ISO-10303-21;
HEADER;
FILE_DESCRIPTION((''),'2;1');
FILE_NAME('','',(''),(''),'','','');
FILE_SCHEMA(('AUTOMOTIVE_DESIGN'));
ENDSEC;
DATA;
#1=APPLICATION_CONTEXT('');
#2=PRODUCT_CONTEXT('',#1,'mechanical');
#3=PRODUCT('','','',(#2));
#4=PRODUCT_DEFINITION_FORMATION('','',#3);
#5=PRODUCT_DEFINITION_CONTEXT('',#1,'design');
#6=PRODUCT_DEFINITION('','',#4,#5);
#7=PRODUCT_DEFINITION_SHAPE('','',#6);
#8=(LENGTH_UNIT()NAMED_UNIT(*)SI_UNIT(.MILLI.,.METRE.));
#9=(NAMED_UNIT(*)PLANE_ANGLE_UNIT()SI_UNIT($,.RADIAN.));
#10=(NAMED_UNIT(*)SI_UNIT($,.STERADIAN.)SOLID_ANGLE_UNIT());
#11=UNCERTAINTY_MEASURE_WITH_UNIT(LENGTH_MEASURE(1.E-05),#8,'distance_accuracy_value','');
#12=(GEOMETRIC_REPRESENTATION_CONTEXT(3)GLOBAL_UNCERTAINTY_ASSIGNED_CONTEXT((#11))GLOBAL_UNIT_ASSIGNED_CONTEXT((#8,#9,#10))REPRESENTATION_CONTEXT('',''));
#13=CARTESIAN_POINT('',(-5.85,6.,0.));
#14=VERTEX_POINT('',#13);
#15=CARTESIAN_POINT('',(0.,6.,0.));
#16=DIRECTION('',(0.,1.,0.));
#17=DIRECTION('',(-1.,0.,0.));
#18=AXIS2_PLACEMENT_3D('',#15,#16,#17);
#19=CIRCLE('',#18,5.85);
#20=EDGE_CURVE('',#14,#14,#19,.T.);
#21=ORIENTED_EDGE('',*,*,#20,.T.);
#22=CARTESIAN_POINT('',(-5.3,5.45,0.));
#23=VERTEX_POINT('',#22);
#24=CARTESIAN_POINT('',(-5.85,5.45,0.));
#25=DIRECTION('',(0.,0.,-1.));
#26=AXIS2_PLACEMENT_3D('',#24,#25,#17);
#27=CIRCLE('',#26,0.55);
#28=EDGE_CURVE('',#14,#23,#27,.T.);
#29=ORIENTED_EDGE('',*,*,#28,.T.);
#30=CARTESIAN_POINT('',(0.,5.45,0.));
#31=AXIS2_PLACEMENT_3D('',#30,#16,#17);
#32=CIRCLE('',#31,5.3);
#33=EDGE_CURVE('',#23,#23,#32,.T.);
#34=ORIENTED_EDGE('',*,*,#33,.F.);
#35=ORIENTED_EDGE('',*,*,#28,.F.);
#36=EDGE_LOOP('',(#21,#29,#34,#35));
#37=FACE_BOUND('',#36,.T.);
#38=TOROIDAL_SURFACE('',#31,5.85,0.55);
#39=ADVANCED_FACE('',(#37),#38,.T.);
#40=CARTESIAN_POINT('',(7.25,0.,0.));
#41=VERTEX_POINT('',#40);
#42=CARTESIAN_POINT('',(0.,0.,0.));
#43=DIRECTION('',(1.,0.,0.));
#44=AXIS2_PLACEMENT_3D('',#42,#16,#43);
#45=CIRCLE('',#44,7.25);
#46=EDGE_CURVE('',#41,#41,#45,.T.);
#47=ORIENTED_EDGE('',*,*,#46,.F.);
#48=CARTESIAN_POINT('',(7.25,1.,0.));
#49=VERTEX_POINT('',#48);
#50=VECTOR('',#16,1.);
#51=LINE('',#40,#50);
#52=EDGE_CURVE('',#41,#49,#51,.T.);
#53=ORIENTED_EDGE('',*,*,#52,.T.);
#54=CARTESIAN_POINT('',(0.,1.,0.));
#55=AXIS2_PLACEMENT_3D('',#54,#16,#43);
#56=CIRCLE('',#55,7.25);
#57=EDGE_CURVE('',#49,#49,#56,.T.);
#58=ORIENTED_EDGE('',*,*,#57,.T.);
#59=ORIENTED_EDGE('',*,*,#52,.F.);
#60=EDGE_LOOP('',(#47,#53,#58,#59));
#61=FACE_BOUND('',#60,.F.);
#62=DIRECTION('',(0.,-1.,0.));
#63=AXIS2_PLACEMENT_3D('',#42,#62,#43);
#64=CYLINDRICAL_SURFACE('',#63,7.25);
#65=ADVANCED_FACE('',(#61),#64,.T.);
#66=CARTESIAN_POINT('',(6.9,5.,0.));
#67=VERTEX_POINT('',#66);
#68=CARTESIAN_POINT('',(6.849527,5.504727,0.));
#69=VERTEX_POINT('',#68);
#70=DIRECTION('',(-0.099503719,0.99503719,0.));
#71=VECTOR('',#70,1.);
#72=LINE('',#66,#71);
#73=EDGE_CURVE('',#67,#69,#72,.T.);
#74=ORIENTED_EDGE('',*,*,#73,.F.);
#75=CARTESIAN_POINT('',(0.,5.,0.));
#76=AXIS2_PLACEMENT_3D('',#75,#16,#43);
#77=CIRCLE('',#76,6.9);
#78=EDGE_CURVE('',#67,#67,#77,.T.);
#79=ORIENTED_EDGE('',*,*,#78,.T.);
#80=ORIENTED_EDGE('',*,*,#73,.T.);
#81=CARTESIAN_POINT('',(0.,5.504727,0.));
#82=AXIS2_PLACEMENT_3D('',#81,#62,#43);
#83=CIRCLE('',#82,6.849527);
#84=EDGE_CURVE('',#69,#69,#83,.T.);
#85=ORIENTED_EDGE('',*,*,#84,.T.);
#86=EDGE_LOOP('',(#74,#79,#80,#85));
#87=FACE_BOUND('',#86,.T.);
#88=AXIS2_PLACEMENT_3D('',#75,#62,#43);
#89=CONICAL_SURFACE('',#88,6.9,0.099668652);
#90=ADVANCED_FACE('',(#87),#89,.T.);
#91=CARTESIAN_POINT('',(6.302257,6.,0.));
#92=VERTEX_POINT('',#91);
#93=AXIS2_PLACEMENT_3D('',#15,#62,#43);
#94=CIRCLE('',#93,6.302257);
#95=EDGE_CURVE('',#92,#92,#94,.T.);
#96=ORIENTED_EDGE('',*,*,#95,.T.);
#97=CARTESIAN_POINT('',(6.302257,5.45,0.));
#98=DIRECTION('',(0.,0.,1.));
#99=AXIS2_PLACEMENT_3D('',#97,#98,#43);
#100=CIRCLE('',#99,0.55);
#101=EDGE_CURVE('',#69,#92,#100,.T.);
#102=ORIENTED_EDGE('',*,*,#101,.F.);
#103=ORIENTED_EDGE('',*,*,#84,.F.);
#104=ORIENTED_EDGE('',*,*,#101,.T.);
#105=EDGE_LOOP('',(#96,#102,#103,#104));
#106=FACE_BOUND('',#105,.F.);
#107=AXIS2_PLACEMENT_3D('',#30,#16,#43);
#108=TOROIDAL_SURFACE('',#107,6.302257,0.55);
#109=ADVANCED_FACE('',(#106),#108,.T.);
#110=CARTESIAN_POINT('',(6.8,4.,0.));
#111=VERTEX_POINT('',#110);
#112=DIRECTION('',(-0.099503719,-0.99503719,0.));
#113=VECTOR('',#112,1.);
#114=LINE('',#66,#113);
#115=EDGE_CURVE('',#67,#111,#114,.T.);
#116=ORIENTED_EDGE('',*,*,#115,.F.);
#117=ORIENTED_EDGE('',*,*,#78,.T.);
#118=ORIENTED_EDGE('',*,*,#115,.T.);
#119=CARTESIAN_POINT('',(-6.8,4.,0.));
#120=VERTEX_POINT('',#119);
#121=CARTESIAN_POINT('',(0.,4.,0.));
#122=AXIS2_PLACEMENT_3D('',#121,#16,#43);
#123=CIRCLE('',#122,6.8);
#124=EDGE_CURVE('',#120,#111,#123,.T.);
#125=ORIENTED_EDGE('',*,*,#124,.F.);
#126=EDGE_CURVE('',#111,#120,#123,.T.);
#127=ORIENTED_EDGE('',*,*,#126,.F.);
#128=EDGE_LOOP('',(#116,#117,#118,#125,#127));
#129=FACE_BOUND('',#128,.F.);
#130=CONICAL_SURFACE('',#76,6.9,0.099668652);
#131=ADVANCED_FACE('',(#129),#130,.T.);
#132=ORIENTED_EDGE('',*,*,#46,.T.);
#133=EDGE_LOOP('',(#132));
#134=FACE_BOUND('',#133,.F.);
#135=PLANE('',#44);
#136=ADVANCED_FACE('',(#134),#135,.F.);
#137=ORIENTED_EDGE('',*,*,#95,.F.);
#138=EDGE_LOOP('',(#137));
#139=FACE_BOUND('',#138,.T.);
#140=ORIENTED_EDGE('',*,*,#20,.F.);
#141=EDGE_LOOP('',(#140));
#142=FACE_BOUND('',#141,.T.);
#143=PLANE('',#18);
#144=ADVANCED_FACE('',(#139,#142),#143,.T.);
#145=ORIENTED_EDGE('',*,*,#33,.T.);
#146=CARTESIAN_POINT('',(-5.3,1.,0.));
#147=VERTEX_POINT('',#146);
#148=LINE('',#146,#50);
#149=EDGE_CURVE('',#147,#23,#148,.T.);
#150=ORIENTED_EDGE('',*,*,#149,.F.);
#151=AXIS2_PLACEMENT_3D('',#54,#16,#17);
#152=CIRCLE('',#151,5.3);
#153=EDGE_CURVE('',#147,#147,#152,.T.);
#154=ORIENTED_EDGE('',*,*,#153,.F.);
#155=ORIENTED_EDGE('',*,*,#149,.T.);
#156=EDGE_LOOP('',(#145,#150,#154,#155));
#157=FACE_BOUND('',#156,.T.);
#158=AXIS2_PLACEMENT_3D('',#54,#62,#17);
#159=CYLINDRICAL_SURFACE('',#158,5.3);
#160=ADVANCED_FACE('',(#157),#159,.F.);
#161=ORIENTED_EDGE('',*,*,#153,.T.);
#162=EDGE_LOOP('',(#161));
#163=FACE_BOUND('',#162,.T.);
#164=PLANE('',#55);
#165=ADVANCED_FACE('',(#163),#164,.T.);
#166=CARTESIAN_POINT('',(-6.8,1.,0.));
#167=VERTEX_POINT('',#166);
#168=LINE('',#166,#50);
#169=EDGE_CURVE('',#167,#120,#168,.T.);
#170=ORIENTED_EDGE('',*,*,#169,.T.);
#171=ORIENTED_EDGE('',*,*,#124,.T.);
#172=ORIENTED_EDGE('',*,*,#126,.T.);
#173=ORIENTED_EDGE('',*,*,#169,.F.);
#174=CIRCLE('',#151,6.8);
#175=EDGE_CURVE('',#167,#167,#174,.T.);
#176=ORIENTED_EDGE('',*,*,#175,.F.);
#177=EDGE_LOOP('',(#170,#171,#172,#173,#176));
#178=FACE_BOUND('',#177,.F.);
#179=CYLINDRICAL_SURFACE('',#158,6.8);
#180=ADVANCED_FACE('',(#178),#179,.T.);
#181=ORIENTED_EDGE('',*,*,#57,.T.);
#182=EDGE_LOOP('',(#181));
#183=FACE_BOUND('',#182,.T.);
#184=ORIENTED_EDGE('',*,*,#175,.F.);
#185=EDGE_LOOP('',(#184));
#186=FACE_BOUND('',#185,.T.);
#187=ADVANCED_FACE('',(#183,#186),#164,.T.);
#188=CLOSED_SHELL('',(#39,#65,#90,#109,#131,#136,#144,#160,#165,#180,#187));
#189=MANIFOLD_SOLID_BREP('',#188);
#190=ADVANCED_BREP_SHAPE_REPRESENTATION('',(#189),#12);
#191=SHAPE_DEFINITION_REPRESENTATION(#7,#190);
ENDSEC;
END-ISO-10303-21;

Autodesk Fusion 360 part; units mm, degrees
sketch "Esboço1" plane through (0, 0, 0) normal (0, 1, 0) x (1, 0, 0)
  circle A0 centre (0, 0) radius 7.25
  dimension "d1" = 14.5
extrude "Extrusão1" add sketch "Esboço1" along normal blind 1
sketch "Esboço2" plane through (0, 1, 0) normal (0, 1, 0) x (-1, 0, 0)
  circle A0 centre (0, 0) radius 7.25
  circle A1 centre (0, 0) radius 6.8
  circle A2 centre (0, 0) radius 5.3
  dimension "d4" = 13.6
  dimension "d5" = -1.5
extrude "Extrusão2" add sketch "Esboço2" along normal blind 5 contours A1
sketch "Esboço3" plane through (0, 0, 0) normal (0, 0, 1) x (1, 0, 0)
  line L0 (6.8, 6) -> (6.8, 4)
  line L1 (6.8, 5) -> (6.9, 5)
  line L2 (6.9, 5) -> (6.8, 4)
  line L3 (6.9, 5) -> (6.8, 6)
revolve "Revolucionar1" add sketch "Esboço3" angle 360 about axis through (0, 1.75, 0) along (0, 1, 0)
fillet "Arredondamento1" radius 0.55 1 edges at (6.3398, 6, -2.459)
fillet "Arredondamento2" radius 0.55 1 edges at (4.9413, 6, 1.9166)
